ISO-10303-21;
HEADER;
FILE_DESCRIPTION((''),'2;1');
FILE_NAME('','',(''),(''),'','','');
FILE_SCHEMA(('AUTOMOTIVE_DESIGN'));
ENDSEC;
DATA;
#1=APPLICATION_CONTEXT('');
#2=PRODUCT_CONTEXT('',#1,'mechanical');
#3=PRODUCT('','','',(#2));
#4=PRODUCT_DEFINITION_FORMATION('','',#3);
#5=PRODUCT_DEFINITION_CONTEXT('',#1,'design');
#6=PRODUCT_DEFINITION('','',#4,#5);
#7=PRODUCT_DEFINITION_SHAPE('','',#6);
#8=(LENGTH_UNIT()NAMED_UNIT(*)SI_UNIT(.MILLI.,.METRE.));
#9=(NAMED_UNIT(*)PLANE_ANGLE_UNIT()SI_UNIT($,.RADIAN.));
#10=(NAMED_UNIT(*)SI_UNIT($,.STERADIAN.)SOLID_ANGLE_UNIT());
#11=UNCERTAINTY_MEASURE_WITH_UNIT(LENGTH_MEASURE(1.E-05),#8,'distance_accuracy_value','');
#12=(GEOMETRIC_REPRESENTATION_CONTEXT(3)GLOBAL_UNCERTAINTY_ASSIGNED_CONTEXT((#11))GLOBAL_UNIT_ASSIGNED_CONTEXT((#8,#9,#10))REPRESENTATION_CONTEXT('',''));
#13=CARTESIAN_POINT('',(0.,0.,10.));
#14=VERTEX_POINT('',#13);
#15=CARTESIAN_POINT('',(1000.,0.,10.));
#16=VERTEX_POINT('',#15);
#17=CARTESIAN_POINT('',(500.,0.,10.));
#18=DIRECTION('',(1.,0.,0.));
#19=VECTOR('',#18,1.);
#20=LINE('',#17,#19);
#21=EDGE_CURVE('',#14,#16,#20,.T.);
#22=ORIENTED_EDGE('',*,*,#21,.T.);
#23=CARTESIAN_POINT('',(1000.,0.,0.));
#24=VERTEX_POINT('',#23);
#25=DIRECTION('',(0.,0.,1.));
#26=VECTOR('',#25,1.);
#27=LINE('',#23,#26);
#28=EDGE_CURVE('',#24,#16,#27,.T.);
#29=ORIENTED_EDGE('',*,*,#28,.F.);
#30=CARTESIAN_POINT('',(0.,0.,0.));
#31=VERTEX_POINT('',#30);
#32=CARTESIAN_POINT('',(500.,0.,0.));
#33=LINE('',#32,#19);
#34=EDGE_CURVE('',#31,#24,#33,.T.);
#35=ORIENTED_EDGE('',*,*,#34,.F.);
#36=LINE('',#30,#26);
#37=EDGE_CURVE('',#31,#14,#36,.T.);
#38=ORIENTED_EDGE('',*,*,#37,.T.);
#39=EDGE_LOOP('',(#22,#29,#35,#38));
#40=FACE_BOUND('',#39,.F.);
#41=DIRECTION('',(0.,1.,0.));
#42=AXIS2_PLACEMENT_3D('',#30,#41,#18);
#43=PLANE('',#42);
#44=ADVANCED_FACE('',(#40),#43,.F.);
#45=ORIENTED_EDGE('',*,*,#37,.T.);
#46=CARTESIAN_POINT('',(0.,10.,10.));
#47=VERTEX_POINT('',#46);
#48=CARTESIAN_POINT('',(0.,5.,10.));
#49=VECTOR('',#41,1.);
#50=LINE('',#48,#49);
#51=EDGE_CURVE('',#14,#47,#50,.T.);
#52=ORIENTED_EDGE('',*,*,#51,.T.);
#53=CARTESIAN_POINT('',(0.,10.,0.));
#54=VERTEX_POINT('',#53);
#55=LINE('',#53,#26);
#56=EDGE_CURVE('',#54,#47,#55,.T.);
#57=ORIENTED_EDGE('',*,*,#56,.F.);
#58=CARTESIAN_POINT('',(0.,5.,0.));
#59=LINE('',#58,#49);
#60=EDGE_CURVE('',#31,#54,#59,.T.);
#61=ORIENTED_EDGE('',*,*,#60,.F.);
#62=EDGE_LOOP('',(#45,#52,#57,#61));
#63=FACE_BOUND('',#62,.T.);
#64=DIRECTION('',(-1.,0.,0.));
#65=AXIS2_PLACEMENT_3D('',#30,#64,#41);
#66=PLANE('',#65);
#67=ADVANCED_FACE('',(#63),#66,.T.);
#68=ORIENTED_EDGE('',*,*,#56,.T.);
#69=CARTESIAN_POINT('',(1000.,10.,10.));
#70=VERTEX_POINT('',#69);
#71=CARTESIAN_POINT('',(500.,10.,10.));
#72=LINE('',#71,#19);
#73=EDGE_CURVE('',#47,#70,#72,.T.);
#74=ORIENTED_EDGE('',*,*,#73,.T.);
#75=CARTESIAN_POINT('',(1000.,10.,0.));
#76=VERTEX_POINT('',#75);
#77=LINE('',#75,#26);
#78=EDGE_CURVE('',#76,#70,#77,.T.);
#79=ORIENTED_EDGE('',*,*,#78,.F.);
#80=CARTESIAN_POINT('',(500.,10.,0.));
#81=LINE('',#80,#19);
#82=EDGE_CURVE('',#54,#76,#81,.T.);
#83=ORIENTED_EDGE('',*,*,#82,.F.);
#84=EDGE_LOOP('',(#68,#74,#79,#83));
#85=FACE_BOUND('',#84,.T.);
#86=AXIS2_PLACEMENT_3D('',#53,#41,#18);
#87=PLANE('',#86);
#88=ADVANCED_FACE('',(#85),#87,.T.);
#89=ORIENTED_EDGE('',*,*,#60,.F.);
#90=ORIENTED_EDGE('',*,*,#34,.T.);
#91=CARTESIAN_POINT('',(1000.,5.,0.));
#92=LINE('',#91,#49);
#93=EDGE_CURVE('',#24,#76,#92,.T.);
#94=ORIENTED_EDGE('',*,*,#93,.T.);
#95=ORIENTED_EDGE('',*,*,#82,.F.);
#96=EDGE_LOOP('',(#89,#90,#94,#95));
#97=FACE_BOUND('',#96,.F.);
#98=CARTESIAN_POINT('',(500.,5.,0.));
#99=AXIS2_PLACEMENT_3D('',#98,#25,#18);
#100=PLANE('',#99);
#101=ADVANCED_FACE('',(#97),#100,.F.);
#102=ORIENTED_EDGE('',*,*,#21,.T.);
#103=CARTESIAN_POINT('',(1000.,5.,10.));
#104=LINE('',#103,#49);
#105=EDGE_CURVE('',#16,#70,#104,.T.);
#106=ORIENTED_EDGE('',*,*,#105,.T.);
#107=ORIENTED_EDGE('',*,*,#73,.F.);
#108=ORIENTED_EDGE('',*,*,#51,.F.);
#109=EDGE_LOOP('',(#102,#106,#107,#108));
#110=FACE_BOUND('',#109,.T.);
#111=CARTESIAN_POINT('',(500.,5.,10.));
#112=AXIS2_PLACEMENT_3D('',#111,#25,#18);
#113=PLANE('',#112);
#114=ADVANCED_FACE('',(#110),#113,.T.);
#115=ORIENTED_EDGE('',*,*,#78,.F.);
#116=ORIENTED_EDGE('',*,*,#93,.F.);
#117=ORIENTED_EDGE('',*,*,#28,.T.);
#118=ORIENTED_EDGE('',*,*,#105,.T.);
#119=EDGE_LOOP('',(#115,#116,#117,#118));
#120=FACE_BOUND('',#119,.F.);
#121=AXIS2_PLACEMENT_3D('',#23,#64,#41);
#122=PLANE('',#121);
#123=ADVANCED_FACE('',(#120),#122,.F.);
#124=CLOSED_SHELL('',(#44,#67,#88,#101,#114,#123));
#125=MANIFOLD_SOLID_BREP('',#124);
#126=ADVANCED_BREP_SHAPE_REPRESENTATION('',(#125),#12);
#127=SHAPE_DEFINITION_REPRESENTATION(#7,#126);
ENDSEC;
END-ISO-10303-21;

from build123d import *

# Parameters (mm, degrees)
BOX_W     = 1000
BOX_H     = 10
BOX_DEPTH = 10


with BuildPart() as part:
    # Box → Box (new body)
    with BuildSketch(Plane.XY):
        with Locations((500, 5)):
            Rectangle(BOX_W, BOX_H)
    extrude(amount=BOX_DEPTH)


solid = part.part
